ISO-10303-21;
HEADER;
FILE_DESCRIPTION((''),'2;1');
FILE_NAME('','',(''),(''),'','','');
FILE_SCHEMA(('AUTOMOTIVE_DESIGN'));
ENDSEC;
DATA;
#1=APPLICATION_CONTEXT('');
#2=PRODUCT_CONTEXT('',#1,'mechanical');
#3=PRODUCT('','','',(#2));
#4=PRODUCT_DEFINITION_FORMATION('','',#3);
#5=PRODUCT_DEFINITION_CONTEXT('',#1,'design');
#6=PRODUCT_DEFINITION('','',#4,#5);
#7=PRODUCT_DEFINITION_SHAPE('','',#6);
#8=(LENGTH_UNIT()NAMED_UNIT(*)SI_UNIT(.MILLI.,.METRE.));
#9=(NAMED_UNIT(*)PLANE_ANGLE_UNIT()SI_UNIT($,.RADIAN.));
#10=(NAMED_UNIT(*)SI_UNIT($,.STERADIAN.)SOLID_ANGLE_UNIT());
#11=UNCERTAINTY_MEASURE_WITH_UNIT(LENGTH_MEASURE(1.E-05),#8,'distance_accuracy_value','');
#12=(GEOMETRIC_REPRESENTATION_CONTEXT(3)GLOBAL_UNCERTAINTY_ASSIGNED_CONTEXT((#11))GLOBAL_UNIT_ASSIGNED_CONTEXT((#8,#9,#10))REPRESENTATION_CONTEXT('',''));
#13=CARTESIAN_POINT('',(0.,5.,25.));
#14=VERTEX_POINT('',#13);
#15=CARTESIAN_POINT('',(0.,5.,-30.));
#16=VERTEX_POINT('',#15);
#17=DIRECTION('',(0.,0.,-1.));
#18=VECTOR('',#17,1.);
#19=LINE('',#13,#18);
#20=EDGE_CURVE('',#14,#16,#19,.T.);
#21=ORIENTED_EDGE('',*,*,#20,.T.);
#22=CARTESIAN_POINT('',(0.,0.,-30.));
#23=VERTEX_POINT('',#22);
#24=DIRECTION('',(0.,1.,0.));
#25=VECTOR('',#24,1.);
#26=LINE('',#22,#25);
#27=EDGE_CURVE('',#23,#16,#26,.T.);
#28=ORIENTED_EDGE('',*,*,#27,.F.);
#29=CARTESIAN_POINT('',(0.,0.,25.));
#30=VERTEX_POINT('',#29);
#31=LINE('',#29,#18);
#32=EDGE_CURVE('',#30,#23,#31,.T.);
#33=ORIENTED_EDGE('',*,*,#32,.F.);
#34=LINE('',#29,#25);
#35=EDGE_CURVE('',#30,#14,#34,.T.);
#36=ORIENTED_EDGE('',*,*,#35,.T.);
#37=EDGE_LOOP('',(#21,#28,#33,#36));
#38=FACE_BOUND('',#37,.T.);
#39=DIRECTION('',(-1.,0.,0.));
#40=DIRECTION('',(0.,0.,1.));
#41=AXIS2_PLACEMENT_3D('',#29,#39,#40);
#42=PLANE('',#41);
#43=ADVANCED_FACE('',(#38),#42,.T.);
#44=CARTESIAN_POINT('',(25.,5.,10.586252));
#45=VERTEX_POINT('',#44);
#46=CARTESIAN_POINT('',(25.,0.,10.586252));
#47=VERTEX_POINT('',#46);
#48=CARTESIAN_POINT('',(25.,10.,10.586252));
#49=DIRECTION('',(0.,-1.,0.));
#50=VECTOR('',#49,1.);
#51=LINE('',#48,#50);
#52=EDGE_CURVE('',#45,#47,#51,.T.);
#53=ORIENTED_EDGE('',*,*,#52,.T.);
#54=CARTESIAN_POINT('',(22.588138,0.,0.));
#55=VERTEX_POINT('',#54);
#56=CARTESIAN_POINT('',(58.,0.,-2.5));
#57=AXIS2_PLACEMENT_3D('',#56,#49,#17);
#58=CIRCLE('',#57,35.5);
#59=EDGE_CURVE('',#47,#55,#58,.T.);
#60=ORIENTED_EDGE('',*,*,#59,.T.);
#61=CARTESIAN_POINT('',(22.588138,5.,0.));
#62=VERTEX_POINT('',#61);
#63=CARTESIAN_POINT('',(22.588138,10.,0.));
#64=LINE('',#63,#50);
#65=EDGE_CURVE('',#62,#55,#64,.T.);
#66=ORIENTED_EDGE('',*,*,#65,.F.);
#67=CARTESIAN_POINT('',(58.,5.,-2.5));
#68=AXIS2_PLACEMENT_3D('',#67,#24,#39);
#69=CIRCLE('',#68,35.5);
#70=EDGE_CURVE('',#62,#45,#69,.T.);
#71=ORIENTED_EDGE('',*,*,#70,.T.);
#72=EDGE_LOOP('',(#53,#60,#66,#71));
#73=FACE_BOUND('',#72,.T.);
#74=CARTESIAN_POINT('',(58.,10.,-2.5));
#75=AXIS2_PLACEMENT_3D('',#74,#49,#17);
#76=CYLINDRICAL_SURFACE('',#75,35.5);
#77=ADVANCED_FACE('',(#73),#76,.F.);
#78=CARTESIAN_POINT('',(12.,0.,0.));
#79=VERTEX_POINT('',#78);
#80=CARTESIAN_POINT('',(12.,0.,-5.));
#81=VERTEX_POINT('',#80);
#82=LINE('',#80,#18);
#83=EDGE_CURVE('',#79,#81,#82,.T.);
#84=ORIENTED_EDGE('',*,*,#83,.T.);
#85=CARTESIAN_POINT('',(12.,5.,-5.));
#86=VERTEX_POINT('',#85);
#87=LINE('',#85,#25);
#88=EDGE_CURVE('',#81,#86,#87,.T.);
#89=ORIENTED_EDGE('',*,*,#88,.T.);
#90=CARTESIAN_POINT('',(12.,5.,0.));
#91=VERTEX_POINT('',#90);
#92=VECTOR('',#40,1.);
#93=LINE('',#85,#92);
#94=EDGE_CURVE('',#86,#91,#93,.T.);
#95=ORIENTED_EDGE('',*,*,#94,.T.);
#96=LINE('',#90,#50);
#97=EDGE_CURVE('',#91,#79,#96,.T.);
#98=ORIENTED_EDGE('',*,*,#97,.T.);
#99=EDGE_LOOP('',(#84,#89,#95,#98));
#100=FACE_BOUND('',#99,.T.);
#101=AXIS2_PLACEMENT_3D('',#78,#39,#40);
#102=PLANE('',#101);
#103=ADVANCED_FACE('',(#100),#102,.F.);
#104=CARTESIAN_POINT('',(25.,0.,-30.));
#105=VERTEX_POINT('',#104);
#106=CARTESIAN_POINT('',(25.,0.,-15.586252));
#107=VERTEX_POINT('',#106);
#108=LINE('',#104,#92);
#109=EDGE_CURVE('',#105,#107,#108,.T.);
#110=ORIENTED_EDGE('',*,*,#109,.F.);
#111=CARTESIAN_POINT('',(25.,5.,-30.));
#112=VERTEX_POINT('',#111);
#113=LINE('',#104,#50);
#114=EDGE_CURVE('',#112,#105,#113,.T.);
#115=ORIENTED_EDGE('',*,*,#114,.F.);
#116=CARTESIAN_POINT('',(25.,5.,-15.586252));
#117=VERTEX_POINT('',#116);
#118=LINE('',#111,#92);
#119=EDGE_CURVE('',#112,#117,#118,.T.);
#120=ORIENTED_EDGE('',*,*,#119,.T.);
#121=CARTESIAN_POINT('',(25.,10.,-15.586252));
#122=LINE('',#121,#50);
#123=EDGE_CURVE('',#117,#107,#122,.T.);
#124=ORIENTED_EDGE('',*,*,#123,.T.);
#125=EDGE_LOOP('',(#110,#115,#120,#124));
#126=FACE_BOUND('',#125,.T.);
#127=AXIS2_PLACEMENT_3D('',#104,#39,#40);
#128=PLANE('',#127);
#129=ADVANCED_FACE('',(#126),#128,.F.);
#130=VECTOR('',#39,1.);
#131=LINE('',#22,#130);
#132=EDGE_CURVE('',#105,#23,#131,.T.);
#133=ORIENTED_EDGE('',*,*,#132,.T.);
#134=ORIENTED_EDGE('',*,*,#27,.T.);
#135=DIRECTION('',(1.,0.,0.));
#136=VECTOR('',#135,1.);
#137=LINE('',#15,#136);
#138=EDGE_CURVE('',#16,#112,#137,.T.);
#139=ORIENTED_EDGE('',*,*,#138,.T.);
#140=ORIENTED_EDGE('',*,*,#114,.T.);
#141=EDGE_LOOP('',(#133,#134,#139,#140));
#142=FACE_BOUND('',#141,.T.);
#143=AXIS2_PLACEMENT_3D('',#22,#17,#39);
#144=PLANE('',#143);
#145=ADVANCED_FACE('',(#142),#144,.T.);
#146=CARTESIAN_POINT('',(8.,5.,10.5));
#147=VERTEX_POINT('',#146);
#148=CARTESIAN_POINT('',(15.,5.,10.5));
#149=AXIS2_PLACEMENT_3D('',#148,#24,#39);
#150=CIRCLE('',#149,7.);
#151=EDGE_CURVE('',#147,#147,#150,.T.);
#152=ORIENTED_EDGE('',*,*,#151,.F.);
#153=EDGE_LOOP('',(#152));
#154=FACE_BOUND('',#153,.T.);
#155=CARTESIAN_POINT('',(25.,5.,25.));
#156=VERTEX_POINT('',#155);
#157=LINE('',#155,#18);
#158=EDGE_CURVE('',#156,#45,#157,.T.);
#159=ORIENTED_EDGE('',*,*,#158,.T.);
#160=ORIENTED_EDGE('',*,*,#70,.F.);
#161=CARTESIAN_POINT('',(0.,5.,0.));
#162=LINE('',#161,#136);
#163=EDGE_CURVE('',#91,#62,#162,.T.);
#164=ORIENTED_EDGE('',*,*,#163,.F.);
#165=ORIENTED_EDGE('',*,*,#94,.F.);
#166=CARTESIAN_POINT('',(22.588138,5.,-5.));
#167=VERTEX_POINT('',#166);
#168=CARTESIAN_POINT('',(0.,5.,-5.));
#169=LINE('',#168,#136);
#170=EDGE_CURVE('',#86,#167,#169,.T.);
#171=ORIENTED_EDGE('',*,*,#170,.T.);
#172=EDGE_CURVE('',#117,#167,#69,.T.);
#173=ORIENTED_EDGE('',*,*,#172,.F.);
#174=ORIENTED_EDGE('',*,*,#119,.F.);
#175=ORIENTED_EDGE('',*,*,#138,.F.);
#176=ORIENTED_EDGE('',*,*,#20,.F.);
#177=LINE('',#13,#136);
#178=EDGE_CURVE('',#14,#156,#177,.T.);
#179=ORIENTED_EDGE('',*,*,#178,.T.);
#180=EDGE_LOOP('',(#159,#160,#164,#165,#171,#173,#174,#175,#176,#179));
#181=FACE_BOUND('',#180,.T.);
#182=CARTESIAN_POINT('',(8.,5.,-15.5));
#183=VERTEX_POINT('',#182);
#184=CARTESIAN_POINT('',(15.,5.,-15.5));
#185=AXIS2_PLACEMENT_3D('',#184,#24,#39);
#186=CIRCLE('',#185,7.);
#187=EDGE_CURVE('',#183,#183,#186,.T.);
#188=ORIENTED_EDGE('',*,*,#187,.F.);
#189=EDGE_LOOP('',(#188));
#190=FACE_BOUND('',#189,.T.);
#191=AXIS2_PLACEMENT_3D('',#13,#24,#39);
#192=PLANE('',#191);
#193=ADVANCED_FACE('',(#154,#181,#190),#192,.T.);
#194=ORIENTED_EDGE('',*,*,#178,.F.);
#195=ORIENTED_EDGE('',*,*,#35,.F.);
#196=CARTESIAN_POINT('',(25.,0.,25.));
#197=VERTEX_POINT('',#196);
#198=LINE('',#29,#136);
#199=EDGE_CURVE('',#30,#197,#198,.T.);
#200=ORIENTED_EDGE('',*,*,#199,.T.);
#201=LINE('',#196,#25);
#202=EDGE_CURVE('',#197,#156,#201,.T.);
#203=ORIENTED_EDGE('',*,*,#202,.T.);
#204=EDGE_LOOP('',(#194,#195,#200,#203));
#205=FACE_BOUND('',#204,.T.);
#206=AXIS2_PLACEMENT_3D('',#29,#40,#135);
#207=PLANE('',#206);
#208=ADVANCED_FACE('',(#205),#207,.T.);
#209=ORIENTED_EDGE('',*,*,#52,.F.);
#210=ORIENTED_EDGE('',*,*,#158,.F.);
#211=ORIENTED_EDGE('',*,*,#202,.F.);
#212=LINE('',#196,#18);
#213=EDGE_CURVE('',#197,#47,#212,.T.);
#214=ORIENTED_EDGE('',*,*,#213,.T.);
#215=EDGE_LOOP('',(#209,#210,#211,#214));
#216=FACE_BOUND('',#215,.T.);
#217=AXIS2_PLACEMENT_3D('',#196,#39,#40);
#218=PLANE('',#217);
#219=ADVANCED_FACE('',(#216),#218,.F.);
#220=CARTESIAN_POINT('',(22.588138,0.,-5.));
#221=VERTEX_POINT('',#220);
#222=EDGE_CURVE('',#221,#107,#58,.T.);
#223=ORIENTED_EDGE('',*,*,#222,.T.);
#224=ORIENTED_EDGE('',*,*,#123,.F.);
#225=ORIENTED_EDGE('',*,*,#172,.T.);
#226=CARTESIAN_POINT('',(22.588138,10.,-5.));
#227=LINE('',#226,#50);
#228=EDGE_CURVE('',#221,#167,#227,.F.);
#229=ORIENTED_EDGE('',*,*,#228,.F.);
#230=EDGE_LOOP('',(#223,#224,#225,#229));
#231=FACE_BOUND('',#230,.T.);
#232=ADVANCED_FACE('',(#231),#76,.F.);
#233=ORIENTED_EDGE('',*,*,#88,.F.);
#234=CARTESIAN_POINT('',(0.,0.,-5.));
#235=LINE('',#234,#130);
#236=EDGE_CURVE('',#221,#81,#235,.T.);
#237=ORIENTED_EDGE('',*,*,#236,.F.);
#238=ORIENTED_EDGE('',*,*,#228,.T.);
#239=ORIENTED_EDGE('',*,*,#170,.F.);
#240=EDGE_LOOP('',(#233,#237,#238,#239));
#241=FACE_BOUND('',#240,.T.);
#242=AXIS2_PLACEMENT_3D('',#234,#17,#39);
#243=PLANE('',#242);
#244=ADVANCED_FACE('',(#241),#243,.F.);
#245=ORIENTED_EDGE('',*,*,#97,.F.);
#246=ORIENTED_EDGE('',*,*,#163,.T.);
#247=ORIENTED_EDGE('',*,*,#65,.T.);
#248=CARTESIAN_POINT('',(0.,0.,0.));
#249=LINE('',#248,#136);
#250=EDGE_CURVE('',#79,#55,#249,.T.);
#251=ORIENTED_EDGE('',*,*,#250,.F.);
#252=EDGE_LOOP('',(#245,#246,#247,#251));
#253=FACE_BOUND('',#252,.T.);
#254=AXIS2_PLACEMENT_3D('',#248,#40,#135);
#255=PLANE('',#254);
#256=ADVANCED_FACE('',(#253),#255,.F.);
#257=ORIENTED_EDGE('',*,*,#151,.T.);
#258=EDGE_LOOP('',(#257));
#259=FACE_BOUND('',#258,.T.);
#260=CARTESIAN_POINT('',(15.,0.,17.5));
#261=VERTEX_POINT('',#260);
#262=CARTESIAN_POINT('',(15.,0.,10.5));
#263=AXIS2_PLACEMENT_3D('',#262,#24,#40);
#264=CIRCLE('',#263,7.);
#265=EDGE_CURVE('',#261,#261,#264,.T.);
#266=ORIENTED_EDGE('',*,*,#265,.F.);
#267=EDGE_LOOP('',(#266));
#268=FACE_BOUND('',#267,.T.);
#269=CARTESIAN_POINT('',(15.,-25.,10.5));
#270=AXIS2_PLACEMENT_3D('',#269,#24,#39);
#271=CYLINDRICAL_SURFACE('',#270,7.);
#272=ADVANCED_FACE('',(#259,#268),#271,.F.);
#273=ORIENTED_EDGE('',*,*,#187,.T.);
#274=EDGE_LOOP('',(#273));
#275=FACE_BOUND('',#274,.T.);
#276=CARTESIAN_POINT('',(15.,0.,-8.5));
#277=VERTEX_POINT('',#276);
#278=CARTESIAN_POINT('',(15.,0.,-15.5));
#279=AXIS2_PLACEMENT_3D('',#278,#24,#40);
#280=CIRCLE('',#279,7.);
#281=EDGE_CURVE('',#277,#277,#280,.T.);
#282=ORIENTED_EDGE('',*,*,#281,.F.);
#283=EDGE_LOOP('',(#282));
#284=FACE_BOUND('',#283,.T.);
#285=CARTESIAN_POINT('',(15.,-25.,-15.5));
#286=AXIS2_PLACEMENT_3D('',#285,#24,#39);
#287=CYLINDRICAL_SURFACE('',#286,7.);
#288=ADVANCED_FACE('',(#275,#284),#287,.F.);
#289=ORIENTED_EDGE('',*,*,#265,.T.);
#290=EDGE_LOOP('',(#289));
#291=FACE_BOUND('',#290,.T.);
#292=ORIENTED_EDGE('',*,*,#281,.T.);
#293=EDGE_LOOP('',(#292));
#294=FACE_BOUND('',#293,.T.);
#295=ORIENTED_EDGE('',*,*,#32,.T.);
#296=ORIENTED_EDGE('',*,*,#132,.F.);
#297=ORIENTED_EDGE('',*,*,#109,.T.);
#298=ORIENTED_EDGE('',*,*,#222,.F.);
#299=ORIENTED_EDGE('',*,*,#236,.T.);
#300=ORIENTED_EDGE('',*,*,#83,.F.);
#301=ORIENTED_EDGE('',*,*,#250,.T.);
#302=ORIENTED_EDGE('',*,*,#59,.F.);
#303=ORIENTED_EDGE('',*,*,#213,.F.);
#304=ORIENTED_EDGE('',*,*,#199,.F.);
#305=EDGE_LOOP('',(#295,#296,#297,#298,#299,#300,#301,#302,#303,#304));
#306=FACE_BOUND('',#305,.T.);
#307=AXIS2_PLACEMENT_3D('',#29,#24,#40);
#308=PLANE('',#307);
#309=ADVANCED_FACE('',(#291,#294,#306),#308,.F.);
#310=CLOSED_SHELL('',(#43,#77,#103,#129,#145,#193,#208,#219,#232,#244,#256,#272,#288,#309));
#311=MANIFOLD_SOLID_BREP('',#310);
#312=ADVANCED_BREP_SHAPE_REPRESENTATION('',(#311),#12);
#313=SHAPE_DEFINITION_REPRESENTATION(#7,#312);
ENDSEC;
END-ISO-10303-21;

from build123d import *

# Parameters (mm, degrees)
SKETCH2_W                = 20
SKETCH2_H                = 5
BOSS_EXTRUDE2_DEPTH      = 25
BOSS_EXTRUDE3_DEPTH      = 5
BOSS_EXTRUDE3_DEPTH_BACK = 25
SKETCH3_W                = 5
SKETCH3_H                = 5
SKETCH4_W                = 25
SKETCH4_H                = 5
BOSS_EXTRUDE4_DEPTH      = 25
SKETCH5_R                = 7
CUT_EXTRUDE1_DEPTH       = 30
CUT_EXTRUDE2_DEPTH       = 10
SKETCH7_W                = 5
SKETCH7_H                = 5
BOSS_EXTRUDE5_DEPTH      = 7


with BuildPart() as part:
    # Sketch2 → Boss-Extrude2 (new body)
    with BuildSketch(Plane.XY):
        with Locations((15, 2.5)):
            Rectangle(SKETCH2_W, SKETCH2_H)
    extrude(amount=BOSS_EXTRUDE2_DEPTH)

    # Sketch3 → Boss-Extrude3 (add, two sides: drawn at the far end of the back side and taken through both)
    with BuildSketch(Plane(origin=(0, 0, 0), x_dir=(-1, 0, 0), z_dir=(0, 0, -1)).offset(-BOSS_EXTRUDE3_DEPTH_BACK)):
        with Locations((-2.5, 2.5)):
            Rectangle(SKETCH3_W, SKETCH3_H)
    extrude(amount=BOSS_EXTRUDE3_DEPTH + BOSS_EXTRUDE3_DEPTH_BACK)

    # Sketch4 → Boss-Extrude4 (add)
    with BuildSketch(Plane(origin=(0, 0, -5), x_dir=(-1, 0, 0), z_dir=(0, 0, -1))):
        with Locations((-12.5, 2.5)):
            Rectangle(SKETCH4_W, SKETCH4_H)
    extrude(amount=BOSS_EXTRUDE4_DEPTH)

    # Sketch5 → Cut-Extrude1 (cut)
    with BuildSketch(Plane(origin=(0, 5, 0), x_dir=(1, 0, 0), z_dir=(0, 1, 0))):
        with Locations(Location((15, -10.5, 0), (0, 0, 180))):
            Circle(SKETCH5_R)
        with Locations(Location((15, 15.5, 0), (0, 0, 180))):
            Circle(SKETCH5_R)
    extrude(amount=-CUT_EXTRUDE1_DEPTH, mode=Mode.SUBTRACT)

    # Sketch6 → Cut-Extrude2 (cut)
    with BuildSketch(Plane.XZ):
        with BuildLine():
            ThreePointArc((22.588137581, -5), (23.386954562, -10.385878866), (25, -15.586252328))
            Line((25, -15.586252328), (25, -5))
            Line((25, -5), (22.588137581, -5))
        make_face()
        with BuildLine():
            Line((25, 0), (25, 10.586252328))
            ThreePointArc((25, 10.586252328), (23.386954562, 5.385878866), (22.588137581, 0))
            Line((22.588137581, 0), (25, 0))
        make_face()
    extrude(amount=-CUT_EXTRUDE2_DEPTH, mode=Mode.SUBTRACT)

    # Sketch7 → Boss-Extrude5 (add)
    with BuildSketch(Plane(origin=(5, 0, 0), x_dir=(0, 0, -1), z_dir=(1, 0, 0))):
        with Locations((2.5, 2.5)):
            Rectangle(SKETCH7_W, SKETCH7_H)
    extrude(amount=BOSS_EXTRUDE5_DEPTH)


solid = part.part
